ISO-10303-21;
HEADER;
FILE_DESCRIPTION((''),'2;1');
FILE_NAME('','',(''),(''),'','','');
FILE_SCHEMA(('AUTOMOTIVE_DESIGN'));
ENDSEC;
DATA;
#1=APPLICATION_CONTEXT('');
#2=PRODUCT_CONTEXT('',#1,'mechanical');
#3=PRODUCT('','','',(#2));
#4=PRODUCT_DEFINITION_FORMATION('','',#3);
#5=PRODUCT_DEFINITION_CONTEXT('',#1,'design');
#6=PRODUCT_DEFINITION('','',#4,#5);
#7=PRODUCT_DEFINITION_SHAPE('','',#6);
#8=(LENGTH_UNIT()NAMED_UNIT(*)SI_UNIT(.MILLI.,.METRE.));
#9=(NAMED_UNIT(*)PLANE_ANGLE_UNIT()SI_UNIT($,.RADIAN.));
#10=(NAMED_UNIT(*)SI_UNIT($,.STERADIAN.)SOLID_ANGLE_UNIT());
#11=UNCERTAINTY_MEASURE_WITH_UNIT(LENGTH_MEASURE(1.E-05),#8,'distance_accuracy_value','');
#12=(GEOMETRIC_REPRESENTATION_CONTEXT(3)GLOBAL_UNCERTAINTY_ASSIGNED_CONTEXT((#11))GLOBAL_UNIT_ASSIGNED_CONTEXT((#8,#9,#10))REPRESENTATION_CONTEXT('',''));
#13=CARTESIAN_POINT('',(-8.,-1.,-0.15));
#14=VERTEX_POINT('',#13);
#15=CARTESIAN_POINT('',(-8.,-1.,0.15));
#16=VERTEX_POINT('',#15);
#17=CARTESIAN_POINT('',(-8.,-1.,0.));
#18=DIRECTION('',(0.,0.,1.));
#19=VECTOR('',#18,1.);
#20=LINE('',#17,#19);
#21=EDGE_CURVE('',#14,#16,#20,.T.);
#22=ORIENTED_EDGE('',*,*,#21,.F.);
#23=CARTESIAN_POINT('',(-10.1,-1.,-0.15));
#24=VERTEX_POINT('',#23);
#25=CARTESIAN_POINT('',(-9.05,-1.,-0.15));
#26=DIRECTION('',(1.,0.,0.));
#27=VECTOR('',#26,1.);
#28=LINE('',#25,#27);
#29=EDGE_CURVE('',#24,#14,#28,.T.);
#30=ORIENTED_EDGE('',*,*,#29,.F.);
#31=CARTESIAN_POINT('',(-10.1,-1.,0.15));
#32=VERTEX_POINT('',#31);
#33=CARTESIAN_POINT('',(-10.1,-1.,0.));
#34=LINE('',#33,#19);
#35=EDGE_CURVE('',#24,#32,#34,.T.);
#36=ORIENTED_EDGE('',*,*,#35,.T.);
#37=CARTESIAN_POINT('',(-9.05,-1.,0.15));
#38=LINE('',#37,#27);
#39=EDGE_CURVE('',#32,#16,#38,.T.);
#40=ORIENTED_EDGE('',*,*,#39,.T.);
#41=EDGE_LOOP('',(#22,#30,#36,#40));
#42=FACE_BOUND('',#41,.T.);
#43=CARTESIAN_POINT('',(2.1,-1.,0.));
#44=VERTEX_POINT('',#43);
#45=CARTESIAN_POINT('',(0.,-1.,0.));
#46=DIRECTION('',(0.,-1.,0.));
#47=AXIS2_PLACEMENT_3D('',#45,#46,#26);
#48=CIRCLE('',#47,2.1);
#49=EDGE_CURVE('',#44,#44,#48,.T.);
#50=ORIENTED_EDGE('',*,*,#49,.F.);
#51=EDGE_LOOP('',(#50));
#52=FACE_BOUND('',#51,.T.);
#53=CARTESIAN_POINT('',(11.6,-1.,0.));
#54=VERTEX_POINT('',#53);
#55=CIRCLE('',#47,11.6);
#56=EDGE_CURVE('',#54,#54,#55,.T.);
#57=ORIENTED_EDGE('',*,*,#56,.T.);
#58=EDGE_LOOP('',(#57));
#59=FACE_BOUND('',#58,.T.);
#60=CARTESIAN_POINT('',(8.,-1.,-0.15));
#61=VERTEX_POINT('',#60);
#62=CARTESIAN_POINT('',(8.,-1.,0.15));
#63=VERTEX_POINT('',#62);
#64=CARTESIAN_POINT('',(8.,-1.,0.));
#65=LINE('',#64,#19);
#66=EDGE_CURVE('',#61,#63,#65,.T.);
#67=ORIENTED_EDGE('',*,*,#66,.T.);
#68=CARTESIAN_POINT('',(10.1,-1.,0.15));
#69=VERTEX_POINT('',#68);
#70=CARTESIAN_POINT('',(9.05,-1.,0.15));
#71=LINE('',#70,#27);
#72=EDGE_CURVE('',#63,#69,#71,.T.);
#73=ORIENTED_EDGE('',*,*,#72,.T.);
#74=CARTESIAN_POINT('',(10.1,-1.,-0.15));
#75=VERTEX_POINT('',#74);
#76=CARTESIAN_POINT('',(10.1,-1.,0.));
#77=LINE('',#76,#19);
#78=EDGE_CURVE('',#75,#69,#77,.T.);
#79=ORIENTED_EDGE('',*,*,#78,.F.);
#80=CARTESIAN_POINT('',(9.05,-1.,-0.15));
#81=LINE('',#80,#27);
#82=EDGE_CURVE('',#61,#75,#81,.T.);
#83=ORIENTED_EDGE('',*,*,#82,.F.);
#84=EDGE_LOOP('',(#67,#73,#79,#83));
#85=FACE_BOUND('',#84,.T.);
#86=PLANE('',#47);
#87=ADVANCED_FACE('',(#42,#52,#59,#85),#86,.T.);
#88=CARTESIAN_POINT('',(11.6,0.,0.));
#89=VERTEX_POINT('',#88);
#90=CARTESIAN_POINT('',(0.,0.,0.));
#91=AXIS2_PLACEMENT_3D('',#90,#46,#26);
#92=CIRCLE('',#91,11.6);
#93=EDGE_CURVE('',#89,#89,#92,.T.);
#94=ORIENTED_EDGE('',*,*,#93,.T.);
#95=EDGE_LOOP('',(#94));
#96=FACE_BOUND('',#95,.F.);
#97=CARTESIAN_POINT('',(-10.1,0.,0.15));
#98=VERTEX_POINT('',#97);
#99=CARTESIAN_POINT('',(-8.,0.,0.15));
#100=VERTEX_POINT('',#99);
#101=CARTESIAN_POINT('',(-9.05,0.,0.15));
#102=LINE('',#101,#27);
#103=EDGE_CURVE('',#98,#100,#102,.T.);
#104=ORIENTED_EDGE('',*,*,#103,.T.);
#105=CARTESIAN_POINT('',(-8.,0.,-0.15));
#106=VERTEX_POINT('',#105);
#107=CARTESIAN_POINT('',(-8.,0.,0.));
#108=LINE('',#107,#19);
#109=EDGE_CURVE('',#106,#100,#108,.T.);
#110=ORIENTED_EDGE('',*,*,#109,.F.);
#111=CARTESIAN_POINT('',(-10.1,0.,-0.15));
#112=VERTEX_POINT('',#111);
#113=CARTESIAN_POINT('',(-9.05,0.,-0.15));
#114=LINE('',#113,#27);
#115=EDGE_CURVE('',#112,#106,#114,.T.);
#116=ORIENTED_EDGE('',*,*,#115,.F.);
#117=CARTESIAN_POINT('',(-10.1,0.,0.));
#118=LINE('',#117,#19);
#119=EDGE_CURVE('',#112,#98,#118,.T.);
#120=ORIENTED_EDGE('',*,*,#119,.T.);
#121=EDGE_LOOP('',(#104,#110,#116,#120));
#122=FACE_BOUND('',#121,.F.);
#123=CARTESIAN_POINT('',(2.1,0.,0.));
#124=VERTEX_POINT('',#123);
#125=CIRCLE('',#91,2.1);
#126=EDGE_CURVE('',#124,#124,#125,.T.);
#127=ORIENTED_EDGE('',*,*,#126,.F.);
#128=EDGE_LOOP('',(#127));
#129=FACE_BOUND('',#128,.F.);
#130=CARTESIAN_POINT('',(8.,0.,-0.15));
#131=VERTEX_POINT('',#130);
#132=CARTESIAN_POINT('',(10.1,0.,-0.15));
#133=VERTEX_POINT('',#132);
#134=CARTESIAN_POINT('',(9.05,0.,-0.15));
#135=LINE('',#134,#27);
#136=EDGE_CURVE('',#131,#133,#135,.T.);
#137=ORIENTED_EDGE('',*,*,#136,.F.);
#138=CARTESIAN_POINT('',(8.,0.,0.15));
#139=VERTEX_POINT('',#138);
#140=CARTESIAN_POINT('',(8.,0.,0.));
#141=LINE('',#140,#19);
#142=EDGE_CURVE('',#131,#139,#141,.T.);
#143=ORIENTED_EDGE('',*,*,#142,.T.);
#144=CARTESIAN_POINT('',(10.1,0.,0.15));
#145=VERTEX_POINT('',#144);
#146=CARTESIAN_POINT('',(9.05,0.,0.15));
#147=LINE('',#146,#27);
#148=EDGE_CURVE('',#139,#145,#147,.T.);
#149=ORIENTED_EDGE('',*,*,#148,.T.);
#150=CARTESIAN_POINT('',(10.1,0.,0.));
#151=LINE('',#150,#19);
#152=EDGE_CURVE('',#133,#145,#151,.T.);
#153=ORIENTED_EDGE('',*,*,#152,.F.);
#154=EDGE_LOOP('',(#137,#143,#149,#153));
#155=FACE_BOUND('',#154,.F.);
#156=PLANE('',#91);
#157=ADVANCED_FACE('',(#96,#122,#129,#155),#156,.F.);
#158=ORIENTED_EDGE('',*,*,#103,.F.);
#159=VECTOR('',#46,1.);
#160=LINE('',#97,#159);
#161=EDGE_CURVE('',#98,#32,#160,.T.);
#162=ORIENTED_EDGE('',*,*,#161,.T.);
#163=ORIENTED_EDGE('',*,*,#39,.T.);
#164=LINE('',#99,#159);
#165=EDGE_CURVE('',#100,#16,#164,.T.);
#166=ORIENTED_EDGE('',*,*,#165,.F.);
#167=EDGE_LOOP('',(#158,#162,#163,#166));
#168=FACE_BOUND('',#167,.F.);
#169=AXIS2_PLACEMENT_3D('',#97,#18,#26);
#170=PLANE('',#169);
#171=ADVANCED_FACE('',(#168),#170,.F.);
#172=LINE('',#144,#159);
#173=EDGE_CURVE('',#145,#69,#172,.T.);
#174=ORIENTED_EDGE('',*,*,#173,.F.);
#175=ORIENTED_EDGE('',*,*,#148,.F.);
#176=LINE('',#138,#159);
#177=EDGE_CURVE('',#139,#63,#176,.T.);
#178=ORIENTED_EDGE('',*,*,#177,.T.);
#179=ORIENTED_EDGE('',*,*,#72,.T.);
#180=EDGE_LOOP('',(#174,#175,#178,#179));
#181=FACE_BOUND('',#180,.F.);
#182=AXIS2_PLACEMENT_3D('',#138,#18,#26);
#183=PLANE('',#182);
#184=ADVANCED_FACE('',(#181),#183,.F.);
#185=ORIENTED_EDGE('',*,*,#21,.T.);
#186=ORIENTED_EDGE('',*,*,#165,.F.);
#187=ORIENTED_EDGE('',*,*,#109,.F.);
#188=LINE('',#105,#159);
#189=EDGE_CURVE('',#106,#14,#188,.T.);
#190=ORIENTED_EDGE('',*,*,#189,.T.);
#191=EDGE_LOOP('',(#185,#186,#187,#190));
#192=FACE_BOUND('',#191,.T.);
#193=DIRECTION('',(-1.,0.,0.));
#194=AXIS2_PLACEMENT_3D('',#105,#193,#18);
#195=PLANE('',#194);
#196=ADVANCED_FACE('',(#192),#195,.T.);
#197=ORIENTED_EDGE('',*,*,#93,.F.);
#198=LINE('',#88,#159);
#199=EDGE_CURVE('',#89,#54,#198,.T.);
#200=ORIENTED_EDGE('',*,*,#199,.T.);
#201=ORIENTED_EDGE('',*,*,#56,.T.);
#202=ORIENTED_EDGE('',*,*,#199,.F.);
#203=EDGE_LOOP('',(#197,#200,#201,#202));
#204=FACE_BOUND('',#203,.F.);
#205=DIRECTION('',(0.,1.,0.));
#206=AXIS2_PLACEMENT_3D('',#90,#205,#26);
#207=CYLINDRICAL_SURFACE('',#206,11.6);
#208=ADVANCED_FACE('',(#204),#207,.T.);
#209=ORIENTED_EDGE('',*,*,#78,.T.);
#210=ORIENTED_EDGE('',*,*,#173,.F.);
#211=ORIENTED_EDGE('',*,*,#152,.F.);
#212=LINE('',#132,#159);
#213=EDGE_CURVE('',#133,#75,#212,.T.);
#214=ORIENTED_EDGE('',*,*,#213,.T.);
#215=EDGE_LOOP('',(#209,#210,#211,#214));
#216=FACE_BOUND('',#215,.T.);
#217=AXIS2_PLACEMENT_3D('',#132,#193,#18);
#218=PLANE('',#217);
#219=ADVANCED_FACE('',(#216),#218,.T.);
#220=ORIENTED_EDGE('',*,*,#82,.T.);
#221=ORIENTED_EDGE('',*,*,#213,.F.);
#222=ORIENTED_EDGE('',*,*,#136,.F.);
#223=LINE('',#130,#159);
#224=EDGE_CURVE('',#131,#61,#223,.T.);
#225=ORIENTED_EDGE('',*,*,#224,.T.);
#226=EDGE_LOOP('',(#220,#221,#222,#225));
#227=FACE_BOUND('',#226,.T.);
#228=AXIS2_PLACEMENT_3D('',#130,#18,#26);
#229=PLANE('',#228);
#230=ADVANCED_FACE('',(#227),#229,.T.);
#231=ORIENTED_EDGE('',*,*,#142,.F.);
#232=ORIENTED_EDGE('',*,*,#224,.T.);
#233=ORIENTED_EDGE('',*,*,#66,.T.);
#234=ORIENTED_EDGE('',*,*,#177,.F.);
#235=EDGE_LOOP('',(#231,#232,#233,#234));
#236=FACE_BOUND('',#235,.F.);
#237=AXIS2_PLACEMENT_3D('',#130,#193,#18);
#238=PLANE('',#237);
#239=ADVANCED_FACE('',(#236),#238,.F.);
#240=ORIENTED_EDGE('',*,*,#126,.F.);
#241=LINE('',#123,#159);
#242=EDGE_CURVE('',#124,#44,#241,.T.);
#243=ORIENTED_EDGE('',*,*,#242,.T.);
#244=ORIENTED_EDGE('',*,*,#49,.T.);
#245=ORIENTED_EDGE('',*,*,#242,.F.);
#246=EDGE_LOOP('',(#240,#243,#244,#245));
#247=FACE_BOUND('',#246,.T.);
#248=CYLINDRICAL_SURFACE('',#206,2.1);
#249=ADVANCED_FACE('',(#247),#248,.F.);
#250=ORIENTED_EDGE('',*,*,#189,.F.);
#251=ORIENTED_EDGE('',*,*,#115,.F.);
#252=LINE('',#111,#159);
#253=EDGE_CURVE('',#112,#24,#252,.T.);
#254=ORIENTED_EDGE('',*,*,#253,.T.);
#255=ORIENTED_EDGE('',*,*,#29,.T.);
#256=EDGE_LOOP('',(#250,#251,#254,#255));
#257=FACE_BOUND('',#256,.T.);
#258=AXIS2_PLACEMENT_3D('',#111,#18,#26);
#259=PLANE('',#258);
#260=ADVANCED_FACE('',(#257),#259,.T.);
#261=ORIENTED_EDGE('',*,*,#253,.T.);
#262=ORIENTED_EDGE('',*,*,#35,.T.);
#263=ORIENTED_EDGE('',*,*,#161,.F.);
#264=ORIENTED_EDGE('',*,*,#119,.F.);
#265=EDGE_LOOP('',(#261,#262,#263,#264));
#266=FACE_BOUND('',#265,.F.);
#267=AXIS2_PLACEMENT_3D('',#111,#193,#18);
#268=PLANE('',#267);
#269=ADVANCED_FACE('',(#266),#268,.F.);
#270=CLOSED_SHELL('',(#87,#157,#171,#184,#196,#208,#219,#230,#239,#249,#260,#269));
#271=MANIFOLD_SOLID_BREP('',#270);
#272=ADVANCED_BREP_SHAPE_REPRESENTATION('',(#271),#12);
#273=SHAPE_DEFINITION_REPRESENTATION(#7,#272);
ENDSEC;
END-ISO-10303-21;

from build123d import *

# Parameters (mm, degrees)
F0_R     = 11.6
F0_W     = 2.1
F0_H     = 0.3
F0_R_2   = 2.1
F1_DEPTH = 1


with BuildPart() as f1:
    # F0 (on Front) → F1 (new body)
    with BuildSketch(Plane.XZ):
        Circle(F0_R)
        with Locations((-9.05, 0)):
            Rectangle(F0_W, F0_H, mode=Mode.SUBTRACT)
        Circle(F0_R_2, mode=Mode.SUBTRACT)
        with Locations((9.05, 0)):
            Rectangle(F0_W, F0_H, mode=Mode.SUBTRACT)
    extrude(amount=F1_DEPTH)


solid = f1.part
